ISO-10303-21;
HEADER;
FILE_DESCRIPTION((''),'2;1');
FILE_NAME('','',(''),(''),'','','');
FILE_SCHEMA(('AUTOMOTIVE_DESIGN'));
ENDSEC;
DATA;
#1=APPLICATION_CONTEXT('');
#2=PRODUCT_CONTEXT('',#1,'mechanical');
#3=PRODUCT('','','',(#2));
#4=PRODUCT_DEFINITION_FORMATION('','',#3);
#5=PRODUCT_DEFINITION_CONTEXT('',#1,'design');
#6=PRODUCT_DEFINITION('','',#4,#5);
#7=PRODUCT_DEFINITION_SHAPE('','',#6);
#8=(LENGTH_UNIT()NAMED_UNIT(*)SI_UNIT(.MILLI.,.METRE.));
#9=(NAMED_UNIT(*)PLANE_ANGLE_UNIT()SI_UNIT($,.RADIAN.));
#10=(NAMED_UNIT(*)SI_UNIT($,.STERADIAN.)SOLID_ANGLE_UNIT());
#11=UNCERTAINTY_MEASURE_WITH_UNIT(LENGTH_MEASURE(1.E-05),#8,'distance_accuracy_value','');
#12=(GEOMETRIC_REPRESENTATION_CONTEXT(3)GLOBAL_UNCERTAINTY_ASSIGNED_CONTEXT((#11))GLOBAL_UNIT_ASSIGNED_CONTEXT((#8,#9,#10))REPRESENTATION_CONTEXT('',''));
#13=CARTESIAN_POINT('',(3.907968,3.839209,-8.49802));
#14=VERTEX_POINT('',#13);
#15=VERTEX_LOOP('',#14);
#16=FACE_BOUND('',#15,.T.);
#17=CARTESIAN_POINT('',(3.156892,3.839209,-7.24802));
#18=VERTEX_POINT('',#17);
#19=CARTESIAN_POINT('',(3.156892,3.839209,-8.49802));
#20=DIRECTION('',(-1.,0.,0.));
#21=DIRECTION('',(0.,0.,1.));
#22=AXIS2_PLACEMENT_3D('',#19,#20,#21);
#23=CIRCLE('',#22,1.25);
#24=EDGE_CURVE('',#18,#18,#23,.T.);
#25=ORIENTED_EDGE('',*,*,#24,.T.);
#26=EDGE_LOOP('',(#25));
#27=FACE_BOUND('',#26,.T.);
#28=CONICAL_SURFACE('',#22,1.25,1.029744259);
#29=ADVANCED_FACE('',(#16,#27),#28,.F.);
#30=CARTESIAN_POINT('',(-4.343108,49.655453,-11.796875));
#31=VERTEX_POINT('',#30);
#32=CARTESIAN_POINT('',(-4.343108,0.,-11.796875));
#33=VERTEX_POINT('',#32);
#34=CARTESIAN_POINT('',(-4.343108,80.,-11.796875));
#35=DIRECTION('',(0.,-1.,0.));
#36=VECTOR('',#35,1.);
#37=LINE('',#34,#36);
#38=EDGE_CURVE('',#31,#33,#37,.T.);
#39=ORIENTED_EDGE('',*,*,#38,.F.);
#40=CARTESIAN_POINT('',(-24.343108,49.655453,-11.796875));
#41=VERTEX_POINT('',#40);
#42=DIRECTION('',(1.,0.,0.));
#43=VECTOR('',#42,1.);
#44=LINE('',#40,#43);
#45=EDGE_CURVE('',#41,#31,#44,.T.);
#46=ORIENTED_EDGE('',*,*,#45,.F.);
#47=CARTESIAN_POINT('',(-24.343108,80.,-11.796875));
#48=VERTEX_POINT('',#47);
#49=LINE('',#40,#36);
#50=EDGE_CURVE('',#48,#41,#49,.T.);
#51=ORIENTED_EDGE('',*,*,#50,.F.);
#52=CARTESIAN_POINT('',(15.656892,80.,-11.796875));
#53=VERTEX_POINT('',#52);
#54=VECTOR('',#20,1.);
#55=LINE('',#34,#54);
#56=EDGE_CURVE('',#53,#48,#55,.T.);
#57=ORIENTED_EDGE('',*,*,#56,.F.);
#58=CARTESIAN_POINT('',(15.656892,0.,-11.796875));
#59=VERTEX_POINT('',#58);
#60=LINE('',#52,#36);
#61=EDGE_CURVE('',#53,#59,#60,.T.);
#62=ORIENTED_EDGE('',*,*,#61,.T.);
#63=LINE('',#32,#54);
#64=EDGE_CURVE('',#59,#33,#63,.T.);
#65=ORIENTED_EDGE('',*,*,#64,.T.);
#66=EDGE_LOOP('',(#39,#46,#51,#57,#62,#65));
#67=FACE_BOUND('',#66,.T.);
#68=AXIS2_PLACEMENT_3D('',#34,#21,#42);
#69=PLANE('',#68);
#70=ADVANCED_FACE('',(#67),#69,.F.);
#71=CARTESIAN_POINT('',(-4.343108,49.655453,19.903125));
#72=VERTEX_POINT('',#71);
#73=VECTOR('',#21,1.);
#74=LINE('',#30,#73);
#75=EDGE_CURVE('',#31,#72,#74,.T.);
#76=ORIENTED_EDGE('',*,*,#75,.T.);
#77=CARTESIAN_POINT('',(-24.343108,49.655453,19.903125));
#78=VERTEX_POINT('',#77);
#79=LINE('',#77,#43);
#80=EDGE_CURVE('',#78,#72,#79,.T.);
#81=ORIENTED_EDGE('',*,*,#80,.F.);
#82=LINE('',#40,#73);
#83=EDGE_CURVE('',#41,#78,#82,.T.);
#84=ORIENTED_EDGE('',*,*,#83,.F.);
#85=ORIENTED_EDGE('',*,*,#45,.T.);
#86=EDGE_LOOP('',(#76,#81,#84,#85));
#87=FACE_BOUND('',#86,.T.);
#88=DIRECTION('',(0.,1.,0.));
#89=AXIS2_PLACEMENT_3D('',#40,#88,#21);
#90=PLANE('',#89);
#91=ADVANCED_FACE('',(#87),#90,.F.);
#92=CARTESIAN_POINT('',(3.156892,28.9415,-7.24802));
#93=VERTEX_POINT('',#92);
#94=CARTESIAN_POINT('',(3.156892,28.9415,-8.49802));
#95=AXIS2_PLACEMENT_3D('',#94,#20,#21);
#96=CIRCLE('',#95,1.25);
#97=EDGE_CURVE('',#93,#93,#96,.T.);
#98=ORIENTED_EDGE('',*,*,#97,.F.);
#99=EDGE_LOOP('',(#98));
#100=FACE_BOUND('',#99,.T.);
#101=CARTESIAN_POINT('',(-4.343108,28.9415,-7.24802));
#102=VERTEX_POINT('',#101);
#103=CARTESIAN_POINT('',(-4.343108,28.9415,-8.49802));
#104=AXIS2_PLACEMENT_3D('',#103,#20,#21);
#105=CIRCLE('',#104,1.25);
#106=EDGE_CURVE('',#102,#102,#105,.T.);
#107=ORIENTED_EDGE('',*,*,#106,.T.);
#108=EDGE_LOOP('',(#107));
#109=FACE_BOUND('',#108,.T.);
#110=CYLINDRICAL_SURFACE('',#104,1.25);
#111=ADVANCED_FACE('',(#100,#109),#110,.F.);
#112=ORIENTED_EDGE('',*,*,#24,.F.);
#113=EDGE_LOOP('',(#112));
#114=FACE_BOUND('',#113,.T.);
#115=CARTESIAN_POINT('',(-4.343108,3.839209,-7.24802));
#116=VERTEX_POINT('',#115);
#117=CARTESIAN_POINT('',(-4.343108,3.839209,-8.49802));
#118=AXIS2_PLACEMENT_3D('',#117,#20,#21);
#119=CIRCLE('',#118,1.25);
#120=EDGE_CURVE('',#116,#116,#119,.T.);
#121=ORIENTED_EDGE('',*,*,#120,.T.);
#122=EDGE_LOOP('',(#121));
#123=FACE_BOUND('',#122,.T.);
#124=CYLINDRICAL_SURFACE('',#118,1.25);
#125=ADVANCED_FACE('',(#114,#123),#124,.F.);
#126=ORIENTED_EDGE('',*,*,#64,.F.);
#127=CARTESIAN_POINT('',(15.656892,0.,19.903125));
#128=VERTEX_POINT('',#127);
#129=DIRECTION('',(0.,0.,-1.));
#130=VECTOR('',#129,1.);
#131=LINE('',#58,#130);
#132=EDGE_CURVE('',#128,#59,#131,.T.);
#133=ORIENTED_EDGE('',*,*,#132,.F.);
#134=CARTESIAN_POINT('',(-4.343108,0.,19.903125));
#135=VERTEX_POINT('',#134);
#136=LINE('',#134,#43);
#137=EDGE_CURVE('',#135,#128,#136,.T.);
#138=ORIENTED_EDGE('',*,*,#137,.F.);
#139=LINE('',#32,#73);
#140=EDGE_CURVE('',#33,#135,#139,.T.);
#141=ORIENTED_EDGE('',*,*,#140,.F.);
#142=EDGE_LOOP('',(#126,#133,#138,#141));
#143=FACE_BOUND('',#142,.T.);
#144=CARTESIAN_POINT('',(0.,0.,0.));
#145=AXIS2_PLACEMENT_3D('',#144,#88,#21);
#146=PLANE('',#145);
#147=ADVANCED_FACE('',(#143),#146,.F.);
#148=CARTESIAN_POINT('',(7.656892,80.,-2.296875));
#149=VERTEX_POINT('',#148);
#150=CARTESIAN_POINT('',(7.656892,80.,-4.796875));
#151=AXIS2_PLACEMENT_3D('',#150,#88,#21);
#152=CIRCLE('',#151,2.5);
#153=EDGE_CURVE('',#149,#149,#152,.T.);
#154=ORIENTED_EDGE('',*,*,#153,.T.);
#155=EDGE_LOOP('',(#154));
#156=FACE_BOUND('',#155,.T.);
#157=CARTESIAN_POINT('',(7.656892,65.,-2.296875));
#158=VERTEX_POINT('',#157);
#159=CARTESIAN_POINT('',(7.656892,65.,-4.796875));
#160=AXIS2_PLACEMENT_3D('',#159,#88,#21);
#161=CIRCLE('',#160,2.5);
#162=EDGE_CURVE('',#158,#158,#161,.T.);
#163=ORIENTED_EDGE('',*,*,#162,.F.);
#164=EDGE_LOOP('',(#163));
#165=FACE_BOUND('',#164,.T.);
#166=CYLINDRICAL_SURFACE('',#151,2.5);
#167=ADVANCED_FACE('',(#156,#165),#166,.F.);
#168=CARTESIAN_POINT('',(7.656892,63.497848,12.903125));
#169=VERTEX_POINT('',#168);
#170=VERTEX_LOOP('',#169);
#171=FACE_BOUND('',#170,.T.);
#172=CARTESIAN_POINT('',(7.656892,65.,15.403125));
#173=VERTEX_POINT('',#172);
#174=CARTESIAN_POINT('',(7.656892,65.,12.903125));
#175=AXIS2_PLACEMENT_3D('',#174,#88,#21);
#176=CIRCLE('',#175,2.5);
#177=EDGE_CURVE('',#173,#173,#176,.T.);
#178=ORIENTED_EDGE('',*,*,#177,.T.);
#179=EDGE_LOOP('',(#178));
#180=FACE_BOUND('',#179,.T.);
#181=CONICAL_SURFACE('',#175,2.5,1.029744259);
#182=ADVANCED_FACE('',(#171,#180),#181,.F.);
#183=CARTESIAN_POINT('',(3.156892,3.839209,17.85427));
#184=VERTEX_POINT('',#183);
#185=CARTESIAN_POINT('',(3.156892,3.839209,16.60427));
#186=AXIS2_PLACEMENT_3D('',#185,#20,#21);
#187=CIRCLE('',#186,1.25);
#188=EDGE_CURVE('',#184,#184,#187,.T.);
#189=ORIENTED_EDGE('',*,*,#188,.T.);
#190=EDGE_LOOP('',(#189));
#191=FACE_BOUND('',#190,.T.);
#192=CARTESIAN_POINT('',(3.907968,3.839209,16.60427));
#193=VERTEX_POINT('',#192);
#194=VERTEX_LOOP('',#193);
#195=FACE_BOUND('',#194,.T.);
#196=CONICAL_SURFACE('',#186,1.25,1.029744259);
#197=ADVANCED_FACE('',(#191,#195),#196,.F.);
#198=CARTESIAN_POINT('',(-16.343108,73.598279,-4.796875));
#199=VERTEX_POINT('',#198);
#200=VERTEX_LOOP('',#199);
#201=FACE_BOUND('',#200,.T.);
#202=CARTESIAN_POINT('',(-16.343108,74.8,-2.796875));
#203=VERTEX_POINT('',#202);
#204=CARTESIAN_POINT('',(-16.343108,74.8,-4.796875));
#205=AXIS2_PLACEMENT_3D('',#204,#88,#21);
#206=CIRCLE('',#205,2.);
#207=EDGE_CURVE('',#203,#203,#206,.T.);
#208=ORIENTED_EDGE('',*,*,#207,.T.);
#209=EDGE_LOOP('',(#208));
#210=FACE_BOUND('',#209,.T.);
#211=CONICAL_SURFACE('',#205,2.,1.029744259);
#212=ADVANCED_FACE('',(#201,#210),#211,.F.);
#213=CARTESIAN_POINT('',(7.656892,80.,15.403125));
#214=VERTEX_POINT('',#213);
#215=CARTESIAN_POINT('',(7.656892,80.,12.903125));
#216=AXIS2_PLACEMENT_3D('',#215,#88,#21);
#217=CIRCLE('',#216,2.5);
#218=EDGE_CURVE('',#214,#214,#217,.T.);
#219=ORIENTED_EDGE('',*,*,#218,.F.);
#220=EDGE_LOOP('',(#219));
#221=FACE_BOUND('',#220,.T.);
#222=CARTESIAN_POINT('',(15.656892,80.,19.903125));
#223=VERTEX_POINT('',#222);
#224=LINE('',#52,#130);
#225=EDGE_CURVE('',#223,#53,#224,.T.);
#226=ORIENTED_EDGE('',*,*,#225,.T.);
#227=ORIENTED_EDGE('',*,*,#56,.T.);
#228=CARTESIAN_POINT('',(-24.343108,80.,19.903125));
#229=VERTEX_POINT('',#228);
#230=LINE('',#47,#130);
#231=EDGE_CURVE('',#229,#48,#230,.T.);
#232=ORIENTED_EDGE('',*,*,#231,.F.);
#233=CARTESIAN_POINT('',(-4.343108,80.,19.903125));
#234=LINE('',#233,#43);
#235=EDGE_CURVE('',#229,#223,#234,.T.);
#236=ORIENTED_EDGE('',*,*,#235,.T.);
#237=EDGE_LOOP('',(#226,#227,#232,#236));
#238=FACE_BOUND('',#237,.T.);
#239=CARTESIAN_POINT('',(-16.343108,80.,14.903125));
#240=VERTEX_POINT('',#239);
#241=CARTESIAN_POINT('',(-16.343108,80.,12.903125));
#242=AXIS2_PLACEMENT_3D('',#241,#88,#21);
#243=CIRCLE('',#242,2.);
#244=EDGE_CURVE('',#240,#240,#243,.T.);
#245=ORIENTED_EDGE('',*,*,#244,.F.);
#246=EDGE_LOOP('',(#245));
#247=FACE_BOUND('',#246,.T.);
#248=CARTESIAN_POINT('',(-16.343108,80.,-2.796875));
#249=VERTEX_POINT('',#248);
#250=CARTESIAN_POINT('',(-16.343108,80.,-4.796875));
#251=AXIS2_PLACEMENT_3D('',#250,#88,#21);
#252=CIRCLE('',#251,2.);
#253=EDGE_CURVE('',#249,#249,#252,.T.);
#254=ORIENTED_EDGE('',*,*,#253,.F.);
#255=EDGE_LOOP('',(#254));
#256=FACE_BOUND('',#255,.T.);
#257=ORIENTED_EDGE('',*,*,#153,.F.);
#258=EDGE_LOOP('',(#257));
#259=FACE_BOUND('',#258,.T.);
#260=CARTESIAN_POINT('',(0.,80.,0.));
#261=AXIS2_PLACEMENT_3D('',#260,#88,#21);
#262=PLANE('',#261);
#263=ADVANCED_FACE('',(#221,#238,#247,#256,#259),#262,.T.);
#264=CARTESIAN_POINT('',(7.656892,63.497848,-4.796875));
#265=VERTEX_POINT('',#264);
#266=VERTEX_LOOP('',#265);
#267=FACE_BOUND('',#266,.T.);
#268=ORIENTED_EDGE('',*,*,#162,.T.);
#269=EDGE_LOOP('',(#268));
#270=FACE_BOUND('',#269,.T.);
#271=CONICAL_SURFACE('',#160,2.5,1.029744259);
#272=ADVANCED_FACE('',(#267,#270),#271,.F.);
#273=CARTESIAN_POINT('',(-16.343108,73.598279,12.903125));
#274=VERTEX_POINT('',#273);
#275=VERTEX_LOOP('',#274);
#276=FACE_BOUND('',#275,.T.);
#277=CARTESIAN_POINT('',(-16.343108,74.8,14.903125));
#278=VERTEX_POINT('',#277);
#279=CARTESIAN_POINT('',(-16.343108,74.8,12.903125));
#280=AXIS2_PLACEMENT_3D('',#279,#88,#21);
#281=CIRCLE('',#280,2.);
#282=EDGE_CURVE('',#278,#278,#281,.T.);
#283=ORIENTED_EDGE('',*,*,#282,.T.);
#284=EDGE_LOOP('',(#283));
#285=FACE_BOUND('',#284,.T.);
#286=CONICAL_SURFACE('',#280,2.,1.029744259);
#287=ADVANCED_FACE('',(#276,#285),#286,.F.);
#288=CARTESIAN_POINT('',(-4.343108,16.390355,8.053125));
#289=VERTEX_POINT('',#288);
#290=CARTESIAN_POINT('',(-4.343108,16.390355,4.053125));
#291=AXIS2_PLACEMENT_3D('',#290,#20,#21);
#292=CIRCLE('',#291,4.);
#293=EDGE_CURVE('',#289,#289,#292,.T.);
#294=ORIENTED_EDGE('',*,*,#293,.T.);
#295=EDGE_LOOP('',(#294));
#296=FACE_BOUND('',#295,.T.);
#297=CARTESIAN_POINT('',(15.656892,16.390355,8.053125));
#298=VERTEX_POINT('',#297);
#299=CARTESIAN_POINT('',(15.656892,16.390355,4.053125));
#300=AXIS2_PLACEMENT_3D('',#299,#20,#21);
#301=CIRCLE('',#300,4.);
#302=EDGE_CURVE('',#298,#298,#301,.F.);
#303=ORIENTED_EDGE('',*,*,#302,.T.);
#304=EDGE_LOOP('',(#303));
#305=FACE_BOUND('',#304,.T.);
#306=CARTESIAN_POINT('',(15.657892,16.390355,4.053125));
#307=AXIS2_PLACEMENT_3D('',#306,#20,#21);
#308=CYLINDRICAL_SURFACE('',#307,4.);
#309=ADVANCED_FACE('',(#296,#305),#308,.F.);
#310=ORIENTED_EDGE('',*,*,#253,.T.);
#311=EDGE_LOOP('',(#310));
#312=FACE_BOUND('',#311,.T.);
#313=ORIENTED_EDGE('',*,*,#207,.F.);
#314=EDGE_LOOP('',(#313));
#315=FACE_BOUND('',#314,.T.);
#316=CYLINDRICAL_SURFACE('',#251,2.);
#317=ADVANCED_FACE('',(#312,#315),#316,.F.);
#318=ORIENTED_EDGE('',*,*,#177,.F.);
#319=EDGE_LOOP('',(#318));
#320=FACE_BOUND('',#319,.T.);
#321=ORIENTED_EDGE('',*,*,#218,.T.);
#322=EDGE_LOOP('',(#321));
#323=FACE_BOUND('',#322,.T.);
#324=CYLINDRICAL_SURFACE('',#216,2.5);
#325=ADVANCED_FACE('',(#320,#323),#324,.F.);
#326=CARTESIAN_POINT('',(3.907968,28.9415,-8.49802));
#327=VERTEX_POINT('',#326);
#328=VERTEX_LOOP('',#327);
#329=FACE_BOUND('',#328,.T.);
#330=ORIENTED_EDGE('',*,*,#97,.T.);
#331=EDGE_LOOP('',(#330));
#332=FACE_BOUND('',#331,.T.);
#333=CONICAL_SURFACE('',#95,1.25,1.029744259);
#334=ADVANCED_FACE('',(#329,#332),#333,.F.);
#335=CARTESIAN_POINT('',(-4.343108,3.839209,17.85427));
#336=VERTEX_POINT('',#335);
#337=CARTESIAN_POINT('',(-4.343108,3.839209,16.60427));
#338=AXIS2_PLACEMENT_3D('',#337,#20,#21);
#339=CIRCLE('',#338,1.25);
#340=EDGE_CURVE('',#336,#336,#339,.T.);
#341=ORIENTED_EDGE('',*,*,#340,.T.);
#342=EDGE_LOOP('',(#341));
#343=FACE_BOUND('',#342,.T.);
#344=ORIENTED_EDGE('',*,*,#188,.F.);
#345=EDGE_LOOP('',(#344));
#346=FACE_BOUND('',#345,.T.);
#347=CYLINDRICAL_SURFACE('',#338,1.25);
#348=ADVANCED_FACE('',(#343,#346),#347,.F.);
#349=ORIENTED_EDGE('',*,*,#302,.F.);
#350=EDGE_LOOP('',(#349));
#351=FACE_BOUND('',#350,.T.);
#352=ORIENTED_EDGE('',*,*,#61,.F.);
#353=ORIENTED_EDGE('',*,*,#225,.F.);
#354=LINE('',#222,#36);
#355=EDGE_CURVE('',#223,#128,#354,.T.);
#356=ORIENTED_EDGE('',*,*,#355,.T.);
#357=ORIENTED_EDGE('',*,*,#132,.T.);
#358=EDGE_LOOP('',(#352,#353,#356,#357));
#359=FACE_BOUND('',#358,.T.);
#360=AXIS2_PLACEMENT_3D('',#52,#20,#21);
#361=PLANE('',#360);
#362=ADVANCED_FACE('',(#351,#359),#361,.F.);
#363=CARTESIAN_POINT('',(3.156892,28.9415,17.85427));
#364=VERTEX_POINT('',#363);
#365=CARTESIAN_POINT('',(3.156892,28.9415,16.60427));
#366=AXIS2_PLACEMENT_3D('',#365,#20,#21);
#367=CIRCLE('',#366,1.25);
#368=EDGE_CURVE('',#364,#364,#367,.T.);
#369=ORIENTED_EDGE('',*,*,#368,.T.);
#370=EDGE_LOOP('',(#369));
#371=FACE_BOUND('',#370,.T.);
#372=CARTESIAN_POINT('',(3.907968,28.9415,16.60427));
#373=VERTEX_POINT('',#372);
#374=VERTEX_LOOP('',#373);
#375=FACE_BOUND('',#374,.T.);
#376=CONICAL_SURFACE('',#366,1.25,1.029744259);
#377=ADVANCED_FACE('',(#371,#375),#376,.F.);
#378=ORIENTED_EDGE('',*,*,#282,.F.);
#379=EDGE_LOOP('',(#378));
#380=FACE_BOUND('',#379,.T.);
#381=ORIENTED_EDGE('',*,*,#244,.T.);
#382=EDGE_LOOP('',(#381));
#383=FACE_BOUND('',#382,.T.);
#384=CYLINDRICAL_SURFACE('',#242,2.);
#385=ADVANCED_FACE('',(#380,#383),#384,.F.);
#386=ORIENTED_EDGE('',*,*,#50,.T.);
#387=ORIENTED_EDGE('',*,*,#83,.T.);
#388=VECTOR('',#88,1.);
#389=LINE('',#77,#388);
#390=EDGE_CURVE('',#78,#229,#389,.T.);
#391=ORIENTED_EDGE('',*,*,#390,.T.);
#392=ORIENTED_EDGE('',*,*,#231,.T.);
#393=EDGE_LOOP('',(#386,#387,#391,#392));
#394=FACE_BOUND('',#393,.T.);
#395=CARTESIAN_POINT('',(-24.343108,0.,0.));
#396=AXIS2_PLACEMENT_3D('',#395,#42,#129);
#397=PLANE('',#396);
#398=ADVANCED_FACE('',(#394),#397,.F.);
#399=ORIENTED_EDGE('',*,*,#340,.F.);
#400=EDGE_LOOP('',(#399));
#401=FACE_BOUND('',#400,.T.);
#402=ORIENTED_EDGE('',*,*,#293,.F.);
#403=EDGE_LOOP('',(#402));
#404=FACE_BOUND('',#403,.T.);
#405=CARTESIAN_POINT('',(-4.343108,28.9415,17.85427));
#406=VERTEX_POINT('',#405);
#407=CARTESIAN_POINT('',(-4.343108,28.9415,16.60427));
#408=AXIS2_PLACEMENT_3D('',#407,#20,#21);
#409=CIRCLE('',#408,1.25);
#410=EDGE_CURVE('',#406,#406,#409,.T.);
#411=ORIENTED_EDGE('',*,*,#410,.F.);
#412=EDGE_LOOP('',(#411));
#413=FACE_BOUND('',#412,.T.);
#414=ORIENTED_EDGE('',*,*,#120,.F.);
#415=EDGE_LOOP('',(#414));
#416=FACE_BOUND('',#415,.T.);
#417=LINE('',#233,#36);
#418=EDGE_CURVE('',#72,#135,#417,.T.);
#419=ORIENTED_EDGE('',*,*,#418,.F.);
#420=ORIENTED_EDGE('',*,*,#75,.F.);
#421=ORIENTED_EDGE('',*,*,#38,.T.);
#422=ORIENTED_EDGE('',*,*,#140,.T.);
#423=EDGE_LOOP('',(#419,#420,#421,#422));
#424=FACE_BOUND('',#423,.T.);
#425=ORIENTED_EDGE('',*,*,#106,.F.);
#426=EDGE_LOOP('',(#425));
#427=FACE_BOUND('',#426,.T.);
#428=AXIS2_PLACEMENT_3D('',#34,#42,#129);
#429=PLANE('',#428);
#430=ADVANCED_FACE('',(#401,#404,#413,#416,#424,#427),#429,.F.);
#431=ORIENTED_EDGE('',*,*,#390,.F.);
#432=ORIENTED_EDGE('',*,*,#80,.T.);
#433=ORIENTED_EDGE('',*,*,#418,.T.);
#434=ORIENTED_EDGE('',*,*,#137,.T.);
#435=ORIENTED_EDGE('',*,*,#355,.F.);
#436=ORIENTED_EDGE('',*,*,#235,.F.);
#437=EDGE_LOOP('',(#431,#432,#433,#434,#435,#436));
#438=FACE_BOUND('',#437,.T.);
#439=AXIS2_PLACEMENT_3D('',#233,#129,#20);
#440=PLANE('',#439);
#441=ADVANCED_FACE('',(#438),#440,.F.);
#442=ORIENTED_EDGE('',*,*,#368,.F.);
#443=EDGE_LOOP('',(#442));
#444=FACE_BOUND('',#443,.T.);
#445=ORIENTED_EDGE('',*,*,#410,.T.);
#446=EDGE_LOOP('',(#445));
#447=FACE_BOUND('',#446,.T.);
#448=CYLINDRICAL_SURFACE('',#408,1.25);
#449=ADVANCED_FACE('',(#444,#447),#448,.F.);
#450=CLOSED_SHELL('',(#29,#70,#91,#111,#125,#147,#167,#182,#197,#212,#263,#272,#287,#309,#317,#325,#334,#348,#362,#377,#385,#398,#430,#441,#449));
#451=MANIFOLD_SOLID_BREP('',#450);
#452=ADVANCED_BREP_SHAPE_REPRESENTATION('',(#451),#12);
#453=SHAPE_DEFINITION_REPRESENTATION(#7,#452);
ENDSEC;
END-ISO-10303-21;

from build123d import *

# Parameters (mm, degrees)
SKETCH1_W                 = 20
SKETCH1_H                 = 31.7
BOSS_EXTRUDE1_DEPTH       = 80
CUT_EXTRUDE1_REACH        = 22
SKETCH2_R                 = 4
M3X0_5_TAPPED_HOLE1_D     = 2.5
M3X0_5_TAPPED_HOLE1_DEPTH = 7.5
M3X0_5_TAPPED_HOLE1_TIP   = 0.751075774
SKETCH5_W                 = 31.7
SKETCH5_H                 = 30.344547228
BOSS_EXTRUDE2_DEPTH       = 20
F_4_0MM_DOWEL_HOLE1_D     = 4
F_4_0MM_DOWEL_HOLE1_DEPTH = 5.2
F_4_0MM_DOWEL_HOLE1_TIP   = 1.201721238
M6X1_0_TAPPED_HOLE1_D     = 5
M6X1_0_TAPPED_HOLE1_DEPTH = 15
M6X1_0_TAPPED_HOLE1_TIP   = 1.502151548


with BuildPart() as part:
    # Sketch1 → Boss-Extrude1 (new body)
    with BuildSketch(Plane(origin=(0, 0, 0), x_dir=(1, 0, 0), z_dir=(0, 1, 0))):
        with Locations((5.656892123, -4.053125)):
            Rectangle(SKETCH1_W, SKETCH1_H)
    extrude(amount=BOSS_EXTRUDE1_DEPTH)

    # Sketch2 → Cut-Extrude1 (cut, up to next)
    with BuildSketch(Plane.ZY.offset(4.343107877), mode=Mode.PRIVATE) as cut_extrude1_sk1:
        with Locations((4.053125, 16.390354737)):
            Circle(SKETCH2_R)
    cut_extrude1_tool1 = extrude(cut_extrude1_sk1.sketch, amount=-CUT_EXTRUDE1_REACH, mode=Mode.PRIVATE) & part.part
    add(cut_extrude1_tool1.solids().sort_by_distance((-4.343108, 16.390355, 4.053125))[0], mode=Mode.SUBTRACT)

    # M3x0.5 Tapped Hole1
    with Locations(Plane.ZY.offset(4.343107877)):
        with Locations((16.604270366, 28.941500103), (-8.498020366, 28.941500103), (-8.498020366, 3.839209371), (16.604270366, 3.839209371)):
            Hole(M3X0_5_TAPPED_HOLE1_D / 2, depth=M3X0_5_TAPPED_HOLE1_DEPTH)
            with Locations((0, 0, -(M3X0_5_TAPPED_HOLE1_DEPTH + M3X0_5_TAPPED_HOLE1_TIP / 2))):  # 118° drill point
                Cone(0, M3X0_5_TAPPED_HOLE1_D / 2, M3X0_5_TAPPED_HOLE1_TIP, mode=Mode.SUBTRACT)

    # Sketch5 → Boss-Extrude2 (add)
    with BuildSketch(Plane.ZY.offset(4.343107877)):
        with Locations((4.053125, 64.827726386)):
            Rectangle(SKETCH5_W, SKETCH5_H)
    extrude(amount=BOSS_EXTRUDE2_DEPTH)

    # Ø4.0mm Dowel Hole1
    with Locations(Plane(origin=(0, 80, 0), x_dir=(1, 0, 0), z_dir=(0, 1, 0))):
        with Locations((-16.343107877, 4.796875), (-16.343107877, -12.903125)):
            Hole(F_4_0MM_DOWEL_HOLE1_D / 2, depth=F_4_0MM_DOWEL_HOLE1_DEPTH)
            with Locations((0, 0, -(F_4_0MM_DOWEL_HOLE1_DEPTH + F_4_0MM_DOWEL_HOLE1_TIP / 2))):  # 118° drill point
                Cone(0, F_4_0MM_DOWEL_HOLE1_D / 2, F_4_0MM_DOWEL_HOLE1_TIP, mode=Mode.SUBTRACT)

    # M6x1.0 Tapped Hole1
    with Locations(Plane(origin=(0, 80, 0), x_dir=(1, 0, 0), z_dir=(0, 1, 0))):
        with Locations((7.656892123, 4.796875), (7.656892123, -12.903125)):
            Hole(M6X1_0_TAPPED_HOLE1_D / 2, depth=M6X1_0_TAPPED_HOLE1_DEPTH)
            with Locations((0, 0, -(M6X1_0_TAPPED_HOLE1_DEPTH + M6X1_0_TAPPED_HOLE1_TIP / 2))):  # 118° drill point
                Cone(0, M6X1_0_TAPPED_HOLE1_D / 2, M6X1_0_TAPPED_HOLE1_TIP, mode=Mode.SUBTRACT)


solid = part.part
